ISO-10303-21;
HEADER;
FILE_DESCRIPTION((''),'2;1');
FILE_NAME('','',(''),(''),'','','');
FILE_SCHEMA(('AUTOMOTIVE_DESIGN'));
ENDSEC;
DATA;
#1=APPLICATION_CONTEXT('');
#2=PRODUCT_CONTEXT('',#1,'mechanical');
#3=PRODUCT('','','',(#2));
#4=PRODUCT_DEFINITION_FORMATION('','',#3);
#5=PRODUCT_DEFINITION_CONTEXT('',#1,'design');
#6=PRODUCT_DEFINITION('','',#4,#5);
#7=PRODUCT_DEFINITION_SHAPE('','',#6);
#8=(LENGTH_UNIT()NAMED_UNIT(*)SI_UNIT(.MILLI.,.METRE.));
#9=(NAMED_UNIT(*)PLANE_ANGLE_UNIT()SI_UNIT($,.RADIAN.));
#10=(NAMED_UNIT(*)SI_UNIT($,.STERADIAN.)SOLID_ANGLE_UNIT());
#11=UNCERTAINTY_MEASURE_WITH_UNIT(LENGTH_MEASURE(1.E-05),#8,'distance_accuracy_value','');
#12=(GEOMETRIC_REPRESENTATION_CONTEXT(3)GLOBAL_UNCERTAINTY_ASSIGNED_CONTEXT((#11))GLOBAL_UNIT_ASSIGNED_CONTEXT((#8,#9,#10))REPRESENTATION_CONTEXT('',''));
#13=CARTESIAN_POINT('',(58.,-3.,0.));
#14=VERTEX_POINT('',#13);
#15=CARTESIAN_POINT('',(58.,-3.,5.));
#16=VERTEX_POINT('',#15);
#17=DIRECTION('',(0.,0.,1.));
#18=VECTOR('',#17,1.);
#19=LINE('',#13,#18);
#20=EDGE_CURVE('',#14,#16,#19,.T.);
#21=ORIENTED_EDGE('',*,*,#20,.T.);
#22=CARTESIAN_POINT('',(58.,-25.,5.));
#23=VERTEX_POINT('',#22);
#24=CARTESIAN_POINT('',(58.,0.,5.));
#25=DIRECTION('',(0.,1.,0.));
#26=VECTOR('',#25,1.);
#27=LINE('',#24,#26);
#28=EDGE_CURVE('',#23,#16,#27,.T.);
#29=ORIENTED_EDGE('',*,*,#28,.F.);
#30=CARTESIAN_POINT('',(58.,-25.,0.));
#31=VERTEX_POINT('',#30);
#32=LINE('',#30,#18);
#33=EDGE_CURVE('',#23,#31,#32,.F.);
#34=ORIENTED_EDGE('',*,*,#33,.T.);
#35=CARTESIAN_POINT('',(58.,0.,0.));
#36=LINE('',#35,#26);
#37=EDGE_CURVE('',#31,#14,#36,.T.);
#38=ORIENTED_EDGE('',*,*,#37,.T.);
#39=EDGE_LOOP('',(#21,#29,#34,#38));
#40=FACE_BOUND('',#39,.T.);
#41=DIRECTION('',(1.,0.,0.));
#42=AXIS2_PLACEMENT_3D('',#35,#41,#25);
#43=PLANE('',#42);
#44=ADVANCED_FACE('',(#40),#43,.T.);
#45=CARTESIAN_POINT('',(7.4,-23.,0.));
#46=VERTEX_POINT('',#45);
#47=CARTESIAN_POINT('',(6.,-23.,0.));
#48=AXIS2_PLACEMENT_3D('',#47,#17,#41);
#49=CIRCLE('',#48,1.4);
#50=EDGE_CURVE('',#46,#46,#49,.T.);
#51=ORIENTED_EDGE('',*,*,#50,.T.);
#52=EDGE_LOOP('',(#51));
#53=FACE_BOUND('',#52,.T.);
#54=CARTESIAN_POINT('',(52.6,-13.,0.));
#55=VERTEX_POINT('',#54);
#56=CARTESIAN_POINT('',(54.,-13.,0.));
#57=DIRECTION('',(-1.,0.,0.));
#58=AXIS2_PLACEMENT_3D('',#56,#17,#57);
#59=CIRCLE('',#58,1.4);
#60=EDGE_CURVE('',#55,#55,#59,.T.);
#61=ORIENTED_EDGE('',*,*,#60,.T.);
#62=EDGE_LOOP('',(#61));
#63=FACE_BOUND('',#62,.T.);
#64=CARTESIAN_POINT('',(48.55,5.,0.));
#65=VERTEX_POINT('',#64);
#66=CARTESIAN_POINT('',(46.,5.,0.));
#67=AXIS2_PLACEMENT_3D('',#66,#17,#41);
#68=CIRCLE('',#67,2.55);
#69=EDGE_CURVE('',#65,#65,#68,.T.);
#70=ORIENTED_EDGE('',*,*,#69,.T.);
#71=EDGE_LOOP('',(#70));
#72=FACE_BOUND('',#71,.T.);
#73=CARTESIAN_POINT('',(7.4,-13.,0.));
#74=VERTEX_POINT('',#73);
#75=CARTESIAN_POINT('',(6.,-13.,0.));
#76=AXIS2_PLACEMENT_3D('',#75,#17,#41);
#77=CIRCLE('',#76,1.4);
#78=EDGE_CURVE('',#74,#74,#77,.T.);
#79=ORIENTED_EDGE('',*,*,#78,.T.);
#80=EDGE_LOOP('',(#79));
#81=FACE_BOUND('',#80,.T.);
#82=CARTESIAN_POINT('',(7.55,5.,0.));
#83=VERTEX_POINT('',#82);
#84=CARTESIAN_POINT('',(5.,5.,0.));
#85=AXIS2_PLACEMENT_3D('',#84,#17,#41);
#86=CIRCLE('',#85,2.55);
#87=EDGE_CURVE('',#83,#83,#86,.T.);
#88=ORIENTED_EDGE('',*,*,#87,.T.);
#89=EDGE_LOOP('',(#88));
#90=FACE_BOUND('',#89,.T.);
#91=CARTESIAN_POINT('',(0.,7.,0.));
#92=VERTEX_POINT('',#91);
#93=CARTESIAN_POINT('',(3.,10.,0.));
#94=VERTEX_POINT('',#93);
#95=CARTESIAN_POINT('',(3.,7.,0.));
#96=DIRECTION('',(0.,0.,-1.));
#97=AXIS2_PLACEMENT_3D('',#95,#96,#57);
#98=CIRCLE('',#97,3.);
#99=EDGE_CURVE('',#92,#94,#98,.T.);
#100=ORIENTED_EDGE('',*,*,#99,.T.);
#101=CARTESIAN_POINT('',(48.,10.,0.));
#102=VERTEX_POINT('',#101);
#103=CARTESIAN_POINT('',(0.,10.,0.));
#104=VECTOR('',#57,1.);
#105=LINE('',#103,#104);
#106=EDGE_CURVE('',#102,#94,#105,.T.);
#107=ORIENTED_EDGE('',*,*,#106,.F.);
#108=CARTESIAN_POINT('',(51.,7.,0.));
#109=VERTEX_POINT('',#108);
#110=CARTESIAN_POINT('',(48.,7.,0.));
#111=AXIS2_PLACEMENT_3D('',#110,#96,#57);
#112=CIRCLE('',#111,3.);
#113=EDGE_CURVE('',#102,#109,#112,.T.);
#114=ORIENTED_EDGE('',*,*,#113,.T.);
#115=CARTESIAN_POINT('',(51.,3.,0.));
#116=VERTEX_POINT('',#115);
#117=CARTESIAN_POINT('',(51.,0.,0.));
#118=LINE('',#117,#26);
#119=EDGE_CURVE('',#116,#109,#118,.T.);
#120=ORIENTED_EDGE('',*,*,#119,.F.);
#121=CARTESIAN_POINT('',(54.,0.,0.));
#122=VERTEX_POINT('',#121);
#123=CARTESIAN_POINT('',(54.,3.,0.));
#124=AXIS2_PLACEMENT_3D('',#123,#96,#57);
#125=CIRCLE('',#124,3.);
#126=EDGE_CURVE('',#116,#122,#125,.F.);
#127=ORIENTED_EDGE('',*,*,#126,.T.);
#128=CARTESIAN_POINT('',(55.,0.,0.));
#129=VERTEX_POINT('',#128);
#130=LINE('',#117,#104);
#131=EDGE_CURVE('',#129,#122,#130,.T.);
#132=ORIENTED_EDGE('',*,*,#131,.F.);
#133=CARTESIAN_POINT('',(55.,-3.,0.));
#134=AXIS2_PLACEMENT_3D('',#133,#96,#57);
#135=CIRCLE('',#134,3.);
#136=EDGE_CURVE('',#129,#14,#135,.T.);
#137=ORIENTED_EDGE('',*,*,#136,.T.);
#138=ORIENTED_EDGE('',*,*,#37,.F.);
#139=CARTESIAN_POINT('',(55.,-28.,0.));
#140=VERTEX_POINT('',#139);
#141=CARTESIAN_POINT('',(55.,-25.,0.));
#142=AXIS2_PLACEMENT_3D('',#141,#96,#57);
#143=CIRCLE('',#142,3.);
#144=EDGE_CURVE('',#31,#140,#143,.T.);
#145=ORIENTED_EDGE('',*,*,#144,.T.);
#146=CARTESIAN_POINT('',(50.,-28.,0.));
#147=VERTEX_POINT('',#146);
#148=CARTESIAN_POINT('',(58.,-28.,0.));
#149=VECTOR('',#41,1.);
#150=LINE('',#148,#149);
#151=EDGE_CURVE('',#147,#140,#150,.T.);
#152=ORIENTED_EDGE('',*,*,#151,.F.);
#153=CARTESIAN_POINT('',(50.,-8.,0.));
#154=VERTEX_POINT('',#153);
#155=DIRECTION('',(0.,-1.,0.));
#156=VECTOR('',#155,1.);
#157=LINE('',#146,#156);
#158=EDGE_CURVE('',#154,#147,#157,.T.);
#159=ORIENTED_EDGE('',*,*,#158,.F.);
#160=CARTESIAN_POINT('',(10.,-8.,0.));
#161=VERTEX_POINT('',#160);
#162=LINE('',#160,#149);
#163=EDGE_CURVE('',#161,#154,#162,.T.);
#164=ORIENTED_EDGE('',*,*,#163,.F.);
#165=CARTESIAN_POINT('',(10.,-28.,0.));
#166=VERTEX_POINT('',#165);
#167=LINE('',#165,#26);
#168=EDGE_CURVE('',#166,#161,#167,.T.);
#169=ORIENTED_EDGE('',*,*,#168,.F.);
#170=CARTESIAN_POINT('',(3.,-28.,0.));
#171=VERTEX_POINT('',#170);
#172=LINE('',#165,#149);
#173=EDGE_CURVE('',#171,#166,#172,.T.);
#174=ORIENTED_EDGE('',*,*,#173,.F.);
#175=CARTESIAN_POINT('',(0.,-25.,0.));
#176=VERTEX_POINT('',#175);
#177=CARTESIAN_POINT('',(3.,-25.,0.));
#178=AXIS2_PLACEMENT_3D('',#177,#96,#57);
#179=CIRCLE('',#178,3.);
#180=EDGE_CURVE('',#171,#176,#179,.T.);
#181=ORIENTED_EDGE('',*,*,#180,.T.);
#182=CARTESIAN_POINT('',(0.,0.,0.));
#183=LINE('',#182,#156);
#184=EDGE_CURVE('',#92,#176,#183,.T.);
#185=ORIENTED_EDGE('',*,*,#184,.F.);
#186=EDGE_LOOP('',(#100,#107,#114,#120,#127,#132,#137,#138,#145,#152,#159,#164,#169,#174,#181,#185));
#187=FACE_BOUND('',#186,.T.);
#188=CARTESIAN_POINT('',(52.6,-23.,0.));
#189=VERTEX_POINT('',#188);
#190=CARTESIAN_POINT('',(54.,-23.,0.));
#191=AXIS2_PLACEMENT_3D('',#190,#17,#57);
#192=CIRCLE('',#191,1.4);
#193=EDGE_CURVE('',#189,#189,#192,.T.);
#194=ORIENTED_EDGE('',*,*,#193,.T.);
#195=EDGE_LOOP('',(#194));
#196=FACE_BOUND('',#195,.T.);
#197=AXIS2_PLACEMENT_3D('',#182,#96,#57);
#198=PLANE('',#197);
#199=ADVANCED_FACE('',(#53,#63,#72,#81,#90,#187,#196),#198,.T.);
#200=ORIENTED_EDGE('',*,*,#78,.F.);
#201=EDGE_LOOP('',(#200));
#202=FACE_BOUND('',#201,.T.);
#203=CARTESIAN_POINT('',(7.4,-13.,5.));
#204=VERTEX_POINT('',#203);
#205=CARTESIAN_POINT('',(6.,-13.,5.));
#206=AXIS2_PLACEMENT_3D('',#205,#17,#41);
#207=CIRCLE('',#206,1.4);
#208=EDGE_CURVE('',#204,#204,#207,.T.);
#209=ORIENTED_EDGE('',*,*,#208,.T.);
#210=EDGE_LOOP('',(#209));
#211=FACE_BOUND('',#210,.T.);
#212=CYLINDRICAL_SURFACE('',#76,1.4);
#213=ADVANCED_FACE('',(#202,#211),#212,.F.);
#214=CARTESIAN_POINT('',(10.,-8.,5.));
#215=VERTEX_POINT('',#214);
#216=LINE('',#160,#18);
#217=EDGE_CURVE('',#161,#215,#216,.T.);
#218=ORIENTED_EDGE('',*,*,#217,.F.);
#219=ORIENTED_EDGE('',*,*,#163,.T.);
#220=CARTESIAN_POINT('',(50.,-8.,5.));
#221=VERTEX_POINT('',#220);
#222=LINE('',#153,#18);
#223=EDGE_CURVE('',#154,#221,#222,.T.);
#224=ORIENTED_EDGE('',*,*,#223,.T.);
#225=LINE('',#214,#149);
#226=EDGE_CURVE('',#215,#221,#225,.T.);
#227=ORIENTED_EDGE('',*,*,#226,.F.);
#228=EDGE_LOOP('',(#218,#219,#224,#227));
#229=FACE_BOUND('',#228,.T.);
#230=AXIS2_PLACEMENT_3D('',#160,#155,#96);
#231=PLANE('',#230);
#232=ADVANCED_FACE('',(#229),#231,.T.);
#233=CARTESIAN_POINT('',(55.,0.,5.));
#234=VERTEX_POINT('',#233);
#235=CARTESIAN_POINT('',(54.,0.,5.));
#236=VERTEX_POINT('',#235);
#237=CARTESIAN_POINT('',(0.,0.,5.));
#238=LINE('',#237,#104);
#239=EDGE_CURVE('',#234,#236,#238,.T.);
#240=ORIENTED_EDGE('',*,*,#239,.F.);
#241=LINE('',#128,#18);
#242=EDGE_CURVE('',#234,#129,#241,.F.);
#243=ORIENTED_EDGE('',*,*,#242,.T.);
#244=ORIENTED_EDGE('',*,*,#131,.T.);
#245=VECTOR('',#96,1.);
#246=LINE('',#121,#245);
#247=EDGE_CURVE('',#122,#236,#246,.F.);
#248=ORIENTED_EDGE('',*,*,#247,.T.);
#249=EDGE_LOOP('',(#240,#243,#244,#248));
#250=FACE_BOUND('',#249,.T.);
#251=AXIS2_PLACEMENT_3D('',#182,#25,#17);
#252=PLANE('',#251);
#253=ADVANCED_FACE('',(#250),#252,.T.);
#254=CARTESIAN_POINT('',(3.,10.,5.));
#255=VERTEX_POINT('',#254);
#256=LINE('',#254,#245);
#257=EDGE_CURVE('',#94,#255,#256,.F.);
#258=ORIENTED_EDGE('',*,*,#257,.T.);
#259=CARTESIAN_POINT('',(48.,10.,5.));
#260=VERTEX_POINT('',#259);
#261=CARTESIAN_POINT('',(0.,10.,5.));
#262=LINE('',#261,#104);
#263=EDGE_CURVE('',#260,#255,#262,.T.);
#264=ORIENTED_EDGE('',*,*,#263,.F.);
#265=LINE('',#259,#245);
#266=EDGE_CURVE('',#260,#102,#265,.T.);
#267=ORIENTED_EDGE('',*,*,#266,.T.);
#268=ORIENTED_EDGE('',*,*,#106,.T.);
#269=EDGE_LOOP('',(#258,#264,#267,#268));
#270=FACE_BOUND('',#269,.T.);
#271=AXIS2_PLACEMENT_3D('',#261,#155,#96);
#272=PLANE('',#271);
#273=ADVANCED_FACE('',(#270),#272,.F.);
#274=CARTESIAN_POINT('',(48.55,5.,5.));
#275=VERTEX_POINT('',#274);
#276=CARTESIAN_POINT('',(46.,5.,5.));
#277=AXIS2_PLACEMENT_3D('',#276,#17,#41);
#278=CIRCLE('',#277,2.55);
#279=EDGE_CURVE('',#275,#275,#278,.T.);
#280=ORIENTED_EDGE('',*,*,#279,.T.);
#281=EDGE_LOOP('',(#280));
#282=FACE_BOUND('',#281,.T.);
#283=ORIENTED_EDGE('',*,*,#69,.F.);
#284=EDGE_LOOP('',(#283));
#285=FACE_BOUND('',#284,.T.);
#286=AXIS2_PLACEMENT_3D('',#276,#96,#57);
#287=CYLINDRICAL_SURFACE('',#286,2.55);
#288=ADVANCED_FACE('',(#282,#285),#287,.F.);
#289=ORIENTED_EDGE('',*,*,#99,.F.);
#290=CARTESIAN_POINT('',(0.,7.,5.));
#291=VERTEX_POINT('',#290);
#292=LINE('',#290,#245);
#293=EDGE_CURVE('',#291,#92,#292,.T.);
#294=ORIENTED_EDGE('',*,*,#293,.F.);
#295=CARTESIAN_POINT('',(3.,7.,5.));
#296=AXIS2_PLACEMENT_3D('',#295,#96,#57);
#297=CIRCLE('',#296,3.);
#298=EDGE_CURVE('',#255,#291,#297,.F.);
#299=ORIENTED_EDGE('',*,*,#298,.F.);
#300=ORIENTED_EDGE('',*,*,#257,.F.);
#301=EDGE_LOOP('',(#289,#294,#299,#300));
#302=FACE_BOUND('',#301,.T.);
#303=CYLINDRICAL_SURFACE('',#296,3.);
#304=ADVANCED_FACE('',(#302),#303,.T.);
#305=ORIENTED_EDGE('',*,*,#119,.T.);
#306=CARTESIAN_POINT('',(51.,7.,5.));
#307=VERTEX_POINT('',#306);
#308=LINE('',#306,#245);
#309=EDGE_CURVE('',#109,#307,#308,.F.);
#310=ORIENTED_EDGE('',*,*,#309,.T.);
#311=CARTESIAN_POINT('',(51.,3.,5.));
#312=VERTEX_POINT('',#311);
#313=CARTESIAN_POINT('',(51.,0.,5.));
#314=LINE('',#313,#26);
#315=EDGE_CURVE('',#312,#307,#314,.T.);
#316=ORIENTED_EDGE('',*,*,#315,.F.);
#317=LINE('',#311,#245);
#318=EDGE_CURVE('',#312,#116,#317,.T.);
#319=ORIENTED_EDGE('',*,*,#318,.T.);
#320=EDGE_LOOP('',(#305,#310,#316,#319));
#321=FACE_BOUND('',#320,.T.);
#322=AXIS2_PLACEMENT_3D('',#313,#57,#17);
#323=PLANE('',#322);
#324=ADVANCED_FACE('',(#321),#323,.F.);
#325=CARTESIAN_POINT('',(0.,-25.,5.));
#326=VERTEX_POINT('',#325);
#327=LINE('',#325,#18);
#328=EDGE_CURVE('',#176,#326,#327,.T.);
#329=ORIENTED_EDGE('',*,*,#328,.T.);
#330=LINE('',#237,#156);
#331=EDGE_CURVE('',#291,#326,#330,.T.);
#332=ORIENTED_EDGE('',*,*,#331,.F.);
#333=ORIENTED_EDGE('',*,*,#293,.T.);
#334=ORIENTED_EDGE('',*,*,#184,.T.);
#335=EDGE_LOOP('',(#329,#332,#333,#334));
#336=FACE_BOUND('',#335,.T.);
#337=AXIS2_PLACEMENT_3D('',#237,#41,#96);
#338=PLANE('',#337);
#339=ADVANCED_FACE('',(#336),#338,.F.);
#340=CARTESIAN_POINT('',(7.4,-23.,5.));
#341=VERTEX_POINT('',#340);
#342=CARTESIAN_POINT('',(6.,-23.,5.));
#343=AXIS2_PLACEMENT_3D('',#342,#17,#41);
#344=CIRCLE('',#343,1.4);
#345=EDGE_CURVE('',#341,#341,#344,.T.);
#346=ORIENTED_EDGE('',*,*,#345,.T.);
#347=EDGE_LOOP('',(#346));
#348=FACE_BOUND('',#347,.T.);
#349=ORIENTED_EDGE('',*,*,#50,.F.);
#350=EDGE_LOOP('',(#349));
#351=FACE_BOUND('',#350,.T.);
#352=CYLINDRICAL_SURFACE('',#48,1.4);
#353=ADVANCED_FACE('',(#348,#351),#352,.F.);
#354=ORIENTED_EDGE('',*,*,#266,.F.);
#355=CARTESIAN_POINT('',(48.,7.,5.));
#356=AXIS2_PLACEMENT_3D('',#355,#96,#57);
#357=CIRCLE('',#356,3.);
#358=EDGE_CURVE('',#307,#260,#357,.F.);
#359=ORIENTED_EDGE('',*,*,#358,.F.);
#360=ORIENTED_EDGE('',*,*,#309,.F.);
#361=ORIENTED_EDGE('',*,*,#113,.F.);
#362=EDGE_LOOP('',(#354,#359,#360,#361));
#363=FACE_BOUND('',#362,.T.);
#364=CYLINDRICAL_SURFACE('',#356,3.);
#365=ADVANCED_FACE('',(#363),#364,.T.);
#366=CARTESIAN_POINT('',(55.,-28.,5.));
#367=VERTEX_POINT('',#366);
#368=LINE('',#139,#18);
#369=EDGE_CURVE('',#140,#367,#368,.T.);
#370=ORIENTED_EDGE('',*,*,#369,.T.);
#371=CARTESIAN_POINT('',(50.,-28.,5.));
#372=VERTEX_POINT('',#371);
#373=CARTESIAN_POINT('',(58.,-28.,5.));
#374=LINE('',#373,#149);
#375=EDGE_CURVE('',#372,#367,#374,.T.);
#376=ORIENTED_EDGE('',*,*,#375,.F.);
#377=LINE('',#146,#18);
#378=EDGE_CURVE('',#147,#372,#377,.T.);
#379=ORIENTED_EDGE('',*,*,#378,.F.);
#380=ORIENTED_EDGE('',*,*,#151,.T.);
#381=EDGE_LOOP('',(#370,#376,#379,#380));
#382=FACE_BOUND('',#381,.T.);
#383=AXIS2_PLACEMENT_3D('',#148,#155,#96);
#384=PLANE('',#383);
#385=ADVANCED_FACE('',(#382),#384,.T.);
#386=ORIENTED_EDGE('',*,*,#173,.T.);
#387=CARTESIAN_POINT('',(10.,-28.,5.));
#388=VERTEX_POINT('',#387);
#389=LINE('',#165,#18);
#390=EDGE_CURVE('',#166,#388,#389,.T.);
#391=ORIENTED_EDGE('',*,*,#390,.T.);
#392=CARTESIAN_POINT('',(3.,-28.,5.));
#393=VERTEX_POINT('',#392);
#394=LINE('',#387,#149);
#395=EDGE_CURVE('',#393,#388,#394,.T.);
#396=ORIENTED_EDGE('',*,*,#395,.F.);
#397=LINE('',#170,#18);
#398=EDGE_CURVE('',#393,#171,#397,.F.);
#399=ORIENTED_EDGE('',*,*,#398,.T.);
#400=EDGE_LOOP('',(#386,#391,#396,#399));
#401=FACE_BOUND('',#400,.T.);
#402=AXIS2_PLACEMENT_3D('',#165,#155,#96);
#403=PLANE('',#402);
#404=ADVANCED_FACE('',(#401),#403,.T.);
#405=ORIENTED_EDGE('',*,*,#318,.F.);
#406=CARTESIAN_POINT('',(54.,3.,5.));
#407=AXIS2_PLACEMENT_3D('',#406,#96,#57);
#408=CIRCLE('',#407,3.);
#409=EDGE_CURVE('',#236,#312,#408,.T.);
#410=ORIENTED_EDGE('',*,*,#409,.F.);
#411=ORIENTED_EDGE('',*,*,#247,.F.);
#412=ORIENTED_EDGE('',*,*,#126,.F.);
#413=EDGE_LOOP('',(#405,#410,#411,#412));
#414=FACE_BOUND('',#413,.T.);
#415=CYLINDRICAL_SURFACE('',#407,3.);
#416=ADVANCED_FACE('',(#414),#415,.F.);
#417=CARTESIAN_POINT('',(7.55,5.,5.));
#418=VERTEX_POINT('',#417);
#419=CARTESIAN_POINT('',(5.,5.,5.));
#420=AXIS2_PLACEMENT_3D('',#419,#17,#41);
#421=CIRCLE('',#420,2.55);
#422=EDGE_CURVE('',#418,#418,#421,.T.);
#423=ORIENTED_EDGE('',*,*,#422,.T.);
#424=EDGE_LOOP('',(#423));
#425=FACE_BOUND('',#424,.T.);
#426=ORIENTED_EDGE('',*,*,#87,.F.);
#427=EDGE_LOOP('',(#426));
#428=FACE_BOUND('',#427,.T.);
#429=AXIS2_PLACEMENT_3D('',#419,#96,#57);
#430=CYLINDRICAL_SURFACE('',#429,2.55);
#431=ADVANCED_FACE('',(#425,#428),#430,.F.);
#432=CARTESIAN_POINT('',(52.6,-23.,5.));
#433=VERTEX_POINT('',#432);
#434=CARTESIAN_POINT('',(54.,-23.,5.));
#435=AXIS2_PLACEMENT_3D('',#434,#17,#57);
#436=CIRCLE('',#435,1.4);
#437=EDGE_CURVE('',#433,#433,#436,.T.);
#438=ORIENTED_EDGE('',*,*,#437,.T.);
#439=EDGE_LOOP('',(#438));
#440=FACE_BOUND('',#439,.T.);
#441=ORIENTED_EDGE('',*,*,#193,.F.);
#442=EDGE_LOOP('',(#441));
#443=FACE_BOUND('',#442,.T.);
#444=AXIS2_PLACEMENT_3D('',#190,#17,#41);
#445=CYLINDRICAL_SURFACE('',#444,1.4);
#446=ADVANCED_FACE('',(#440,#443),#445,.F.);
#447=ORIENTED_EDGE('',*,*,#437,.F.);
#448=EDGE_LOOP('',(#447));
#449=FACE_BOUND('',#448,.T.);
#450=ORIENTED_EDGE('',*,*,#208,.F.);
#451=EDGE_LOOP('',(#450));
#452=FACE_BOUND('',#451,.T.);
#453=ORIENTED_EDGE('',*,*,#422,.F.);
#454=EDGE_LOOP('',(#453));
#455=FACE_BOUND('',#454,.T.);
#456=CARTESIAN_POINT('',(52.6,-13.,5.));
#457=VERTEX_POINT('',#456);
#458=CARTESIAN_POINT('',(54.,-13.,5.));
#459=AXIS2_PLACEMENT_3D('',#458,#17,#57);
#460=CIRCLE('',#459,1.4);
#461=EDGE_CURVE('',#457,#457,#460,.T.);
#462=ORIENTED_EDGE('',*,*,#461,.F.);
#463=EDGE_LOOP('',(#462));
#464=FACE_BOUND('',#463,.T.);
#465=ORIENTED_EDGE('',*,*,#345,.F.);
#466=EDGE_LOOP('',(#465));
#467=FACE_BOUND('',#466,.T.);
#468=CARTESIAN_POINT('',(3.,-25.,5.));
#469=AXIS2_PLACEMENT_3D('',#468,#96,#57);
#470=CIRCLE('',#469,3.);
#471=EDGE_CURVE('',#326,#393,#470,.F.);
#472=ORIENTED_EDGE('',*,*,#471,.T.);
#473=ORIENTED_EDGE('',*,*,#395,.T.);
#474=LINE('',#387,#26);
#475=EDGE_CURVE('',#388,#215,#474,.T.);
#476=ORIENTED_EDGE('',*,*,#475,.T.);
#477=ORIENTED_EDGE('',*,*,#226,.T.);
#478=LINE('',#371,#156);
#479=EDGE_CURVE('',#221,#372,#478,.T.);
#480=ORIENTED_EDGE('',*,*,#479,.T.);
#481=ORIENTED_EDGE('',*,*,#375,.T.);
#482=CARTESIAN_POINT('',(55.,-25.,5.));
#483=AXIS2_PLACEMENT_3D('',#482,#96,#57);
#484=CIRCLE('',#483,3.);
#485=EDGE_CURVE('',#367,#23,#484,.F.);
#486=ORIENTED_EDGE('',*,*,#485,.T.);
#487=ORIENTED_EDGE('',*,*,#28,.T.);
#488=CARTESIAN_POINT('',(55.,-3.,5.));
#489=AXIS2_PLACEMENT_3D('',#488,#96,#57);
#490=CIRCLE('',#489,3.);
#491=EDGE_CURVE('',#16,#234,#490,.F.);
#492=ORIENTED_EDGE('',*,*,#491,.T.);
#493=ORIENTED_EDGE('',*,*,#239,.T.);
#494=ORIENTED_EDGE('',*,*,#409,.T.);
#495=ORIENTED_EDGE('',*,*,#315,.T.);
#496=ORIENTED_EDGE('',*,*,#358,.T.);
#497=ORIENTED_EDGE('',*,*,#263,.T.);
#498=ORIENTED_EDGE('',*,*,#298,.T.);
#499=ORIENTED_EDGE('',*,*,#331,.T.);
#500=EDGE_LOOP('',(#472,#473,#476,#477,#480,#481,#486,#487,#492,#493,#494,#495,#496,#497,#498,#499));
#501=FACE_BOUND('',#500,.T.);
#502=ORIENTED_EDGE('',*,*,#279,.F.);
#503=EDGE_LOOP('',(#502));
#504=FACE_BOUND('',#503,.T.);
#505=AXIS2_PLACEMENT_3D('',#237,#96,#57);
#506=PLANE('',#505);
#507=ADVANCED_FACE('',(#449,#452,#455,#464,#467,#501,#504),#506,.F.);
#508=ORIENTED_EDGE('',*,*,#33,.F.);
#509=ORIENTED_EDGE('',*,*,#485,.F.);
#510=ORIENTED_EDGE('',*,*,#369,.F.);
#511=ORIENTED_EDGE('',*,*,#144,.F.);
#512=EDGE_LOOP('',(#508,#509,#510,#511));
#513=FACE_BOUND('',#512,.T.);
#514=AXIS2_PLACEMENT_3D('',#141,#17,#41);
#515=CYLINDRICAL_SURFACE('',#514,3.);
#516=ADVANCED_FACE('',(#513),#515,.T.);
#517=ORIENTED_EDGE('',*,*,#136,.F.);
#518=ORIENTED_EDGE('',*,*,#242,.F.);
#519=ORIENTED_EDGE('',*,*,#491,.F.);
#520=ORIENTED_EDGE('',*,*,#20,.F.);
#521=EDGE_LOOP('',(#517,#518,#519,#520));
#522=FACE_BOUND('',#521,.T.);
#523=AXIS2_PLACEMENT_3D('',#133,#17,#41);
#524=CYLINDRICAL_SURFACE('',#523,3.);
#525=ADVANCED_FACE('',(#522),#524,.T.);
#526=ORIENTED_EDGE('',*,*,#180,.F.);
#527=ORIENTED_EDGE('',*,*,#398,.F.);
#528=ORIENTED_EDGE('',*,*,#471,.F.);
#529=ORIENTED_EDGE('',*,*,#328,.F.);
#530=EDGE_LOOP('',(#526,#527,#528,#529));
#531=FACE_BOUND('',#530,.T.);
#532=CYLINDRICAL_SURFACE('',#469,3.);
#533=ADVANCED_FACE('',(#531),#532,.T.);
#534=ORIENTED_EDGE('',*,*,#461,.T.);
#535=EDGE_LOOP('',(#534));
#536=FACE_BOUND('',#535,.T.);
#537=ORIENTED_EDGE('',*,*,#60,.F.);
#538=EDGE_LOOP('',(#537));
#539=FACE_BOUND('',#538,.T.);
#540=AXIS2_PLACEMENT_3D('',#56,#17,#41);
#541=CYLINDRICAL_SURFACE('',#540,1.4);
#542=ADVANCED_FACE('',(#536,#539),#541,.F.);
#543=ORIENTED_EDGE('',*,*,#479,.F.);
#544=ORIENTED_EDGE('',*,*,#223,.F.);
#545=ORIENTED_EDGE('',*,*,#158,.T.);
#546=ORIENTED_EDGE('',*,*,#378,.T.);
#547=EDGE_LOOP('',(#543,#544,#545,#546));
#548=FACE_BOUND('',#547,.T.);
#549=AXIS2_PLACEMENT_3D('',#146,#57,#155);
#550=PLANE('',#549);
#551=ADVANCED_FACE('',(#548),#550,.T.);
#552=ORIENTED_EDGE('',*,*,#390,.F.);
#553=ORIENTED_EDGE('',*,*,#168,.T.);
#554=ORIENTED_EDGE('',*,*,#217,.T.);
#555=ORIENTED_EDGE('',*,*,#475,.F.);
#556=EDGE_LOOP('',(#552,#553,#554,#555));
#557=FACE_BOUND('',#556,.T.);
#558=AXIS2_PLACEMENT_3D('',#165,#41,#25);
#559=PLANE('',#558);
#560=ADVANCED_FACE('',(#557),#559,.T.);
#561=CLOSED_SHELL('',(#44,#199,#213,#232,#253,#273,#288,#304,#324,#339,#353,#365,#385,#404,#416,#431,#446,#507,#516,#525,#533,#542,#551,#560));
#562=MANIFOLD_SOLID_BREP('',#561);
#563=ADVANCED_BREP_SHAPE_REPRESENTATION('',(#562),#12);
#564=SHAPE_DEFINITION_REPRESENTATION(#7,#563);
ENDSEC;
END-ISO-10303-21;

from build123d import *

# Parameters (mm, degrees)
SKETCH1_W           = 51
SKETCH1_H           = 10
SKETCH1_R           = 2.55
BOSS_EXTRUDE1_DEPTH = 5
SKETCH2_R           = 1.4
BOSS_EXTRUDE2_DEPTH = 5
FILLET1_R           = 3


with BuildPart() as part:
    # Sketch1 → Boss-Extrude1 (new body)
    with BuildSketch(Plane.XY):
        with Locations((25.5, 5)):
            Rectangle(SKETCH1_W, SKETCH1_H)
        with Locations((5, 5)):
            Circle(SKETCH1_R, mode=Mode.SUBTRACT)
        with Locations((46, 5)):
            Circle(SKETCH1_R, mode=Mode.SUBTRACT)
    extrude(amount=BOSS_EXTRUDE1_DEPTH)

    # Sketch2 → Boss-Extrude2 (add)
    with BuildSketch(Plane.XY.offset(5)):
        Polygon((10, -28), (10, -8), (50, -8), (50, -28), (58, -28), (58, 0), (51, 0), (0, 0), (0, -28), align=None)
        with Locations((6, -23)):
            Circle(SKETCH2_R, mode=Mode.SUBTRACT)
        with Locations((6, -13)):
            Circle(SKETCH2_R, mode=Mode.SUBTRACT)
        with Locations((54, -23)):
            Circle(SKETCH2_R, mode=Mode.SUBTRACT)
        with Locations((54, -13)):
            Circle(SKETCH2_R, mode=Mode.SUBTRACT)
    extrude(amount=-BOSS_EXTRUDE2_DEPTH)

    # Fillet1
    fillet1_edges = [part.edges().sort_by_distance(p)[0] for p in [
        (0, -28, 2.5),
        (58, 0, 2.5),
        (58, -28, 2.5),
        (0, 10, 2.5),
        (51, 10, 2.5),
        (51, 0, 2.5),
    ]]
    fillet(fillet1_edges, radius=FILLET1_R)


solid = part.part
